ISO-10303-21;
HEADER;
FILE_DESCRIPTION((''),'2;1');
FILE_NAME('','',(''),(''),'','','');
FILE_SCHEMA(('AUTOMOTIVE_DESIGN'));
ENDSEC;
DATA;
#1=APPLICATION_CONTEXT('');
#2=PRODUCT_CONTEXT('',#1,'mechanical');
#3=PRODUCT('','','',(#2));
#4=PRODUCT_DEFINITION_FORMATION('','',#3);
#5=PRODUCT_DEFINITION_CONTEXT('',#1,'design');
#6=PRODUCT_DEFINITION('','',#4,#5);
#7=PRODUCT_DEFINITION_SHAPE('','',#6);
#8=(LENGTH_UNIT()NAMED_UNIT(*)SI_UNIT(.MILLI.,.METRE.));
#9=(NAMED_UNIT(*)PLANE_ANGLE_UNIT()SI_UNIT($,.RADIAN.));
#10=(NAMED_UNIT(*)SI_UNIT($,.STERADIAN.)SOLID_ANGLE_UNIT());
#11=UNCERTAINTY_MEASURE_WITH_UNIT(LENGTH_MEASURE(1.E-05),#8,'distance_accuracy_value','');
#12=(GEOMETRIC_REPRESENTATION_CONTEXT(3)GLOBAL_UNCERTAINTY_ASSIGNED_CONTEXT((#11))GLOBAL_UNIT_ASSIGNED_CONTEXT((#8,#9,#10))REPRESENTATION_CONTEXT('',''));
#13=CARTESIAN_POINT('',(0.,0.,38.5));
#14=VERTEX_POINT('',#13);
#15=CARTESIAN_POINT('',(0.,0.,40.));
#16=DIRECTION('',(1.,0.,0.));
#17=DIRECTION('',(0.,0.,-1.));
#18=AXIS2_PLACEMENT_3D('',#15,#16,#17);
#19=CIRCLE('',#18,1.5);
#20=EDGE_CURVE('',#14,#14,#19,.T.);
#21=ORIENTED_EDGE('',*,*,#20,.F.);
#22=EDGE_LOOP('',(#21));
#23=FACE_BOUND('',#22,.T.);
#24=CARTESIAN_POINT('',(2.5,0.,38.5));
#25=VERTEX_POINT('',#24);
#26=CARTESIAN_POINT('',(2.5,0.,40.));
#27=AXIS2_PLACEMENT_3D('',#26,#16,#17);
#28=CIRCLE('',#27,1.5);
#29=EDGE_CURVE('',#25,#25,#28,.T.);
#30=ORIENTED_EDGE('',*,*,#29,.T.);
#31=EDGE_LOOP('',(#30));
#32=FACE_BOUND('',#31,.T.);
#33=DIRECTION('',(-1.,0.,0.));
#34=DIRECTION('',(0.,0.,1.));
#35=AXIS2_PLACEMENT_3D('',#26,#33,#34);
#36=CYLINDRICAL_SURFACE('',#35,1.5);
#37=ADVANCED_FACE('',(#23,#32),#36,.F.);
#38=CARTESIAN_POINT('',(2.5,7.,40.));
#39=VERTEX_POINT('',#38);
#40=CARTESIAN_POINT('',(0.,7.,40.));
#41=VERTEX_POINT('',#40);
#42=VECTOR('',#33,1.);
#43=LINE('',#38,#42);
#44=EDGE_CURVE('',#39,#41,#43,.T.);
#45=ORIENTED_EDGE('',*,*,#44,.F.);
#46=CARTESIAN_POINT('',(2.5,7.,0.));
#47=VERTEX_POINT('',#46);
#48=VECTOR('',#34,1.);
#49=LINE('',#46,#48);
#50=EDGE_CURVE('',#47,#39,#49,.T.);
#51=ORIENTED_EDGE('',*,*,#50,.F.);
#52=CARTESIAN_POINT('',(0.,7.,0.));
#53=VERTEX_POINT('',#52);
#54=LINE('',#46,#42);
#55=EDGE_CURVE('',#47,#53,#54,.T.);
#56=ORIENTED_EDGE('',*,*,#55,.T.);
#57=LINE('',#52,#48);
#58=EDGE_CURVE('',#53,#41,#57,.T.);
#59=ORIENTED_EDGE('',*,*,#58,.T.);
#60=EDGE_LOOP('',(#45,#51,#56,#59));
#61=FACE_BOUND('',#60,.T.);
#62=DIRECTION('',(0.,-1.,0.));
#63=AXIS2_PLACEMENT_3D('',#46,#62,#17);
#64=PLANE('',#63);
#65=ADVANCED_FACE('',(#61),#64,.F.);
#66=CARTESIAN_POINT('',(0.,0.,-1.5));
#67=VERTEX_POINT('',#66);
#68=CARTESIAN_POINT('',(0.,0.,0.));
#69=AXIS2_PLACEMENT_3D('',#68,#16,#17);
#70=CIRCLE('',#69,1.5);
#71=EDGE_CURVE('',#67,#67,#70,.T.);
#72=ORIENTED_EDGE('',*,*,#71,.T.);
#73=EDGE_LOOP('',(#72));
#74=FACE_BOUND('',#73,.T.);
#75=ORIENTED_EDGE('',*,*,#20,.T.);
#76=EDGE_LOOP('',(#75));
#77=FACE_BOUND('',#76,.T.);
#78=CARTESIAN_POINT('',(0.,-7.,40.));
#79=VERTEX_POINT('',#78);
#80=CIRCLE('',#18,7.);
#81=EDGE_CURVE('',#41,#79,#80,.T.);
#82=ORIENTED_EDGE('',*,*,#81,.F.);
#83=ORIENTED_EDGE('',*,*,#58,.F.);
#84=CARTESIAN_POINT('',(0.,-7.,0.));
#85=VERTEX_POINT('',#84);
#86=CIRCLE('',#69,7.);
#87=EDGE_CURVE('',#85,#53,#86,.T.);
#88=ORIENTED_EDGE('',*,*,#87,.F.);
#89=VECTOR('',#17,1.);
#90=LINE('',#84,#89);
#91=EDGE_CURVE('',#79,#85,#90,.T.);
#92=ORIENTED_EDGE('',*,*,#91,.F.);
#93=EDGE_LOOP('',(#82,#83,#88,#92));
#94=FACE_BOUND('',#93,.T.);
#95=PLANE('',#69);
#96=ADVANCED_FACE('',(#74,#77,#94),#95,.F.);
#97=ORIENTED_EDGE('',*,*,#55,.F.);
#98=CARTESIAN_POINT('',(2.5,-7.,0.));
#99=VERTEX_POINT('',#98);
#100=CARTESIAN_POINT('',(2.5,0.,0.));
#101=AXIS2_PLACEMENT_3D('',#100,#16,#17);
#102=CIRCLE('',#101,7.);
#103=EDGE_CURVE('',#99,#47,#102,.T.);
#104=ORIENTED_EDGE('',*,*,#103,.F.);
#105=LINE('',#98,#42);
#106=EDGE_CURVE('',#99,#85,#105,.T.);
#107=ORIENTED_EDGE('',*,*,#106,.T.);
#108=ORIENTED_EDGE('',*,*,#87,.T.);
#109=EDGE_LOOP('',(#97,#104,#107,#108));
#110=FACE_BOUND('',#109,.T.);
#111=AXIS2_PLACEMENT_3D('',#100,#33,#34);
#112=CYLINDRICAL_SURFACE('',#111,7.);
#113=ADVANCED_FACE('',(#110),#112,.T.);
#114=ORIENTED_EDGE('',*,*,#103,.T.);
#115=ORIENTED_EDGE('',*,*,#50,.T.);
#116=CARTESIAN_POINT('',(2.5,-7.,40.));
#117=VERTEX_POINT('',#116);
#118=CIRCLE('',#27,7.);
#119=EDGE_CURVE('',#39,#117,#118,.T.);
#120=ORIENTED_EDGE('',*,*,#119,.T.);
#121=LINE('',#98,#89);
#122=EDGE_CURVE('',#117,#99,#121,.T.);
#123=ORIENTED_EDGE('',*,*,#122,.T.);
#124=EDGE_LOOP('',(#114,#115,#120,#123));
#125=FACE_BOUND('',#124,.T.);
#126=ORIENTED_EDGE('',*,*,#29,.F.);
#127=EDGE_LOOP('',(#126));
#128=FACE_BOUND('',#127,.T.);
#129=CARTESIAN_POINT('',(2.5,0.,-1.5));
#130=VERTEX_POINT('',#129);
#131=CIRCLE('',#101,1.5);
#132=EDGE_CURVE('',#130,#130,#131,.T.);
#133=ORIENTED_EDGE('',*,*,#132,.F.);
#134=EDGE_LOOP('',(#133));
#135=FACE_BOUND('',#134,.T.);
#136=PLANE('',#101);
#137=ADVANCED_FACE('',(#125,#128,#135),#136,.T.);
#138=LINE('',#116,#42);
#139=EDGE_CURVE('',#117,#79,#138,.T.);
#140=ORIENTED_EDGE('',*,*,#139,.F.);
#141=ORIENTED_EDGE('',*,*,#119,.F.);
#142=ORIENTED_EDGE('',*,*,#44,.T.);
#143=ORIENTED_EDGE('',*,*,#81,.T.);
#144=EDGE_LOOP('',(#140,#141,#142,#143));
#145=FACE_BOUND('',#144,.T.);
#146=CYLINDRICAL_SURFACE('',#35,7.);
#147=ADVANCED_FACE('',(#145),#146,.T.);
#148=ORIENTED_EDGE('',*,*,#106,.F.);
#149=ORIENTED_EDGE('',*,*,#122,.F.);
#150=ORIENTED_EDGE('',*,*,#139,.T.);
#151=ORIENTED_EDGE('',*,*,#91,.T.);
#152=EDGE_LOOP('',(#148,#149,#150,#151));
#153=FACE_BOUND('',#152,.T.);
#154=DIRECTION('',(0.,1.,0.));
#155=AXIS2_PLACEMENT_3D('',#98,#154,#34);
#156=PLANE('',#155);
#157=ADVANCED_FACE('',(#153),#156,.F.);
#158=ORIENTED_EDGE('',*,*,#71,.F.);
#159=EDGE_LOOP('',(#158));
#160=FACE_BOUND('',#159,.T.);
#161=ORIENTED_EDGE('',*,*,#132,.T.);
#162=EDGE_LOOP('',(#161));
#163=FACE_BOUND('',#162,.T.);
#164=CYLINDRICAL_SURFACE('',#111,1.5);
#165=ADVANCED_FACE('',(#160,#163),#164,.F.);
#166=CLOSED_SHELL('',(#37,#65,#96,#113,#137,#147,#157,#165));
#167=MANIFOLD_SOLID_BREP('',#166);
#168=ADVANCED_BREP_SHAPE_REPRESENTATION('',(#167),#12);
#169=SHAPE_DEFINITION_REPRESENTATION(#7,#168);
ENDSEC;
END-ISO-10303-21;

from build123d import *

# Parameters (mm, degrees)
SKETCH1_R           = 1.5
BOSS_EXTRUDE1_DEPTH = 2.5


with BuildPart() as part:
    # Sketch1 → Boss-Extrude1 (new body)
    with BuildSketch(Plane(origin=(0, 0, 0), x_dir=(0, 0, -1), z_dir=(1, 0, 0))):
        with BuildLine():
            Line((0, -7), (-40, -7))
            ThreePointArc((-40, -7), (-47, 0), (-40, 7))
            Line((-40, 7), (0, 7))
            ThreePointArc((0, 7), (7, 0), (0, -7))
        make_face()
        with Locations((-40, 0)):
            Circle(SKETCH1_R, mode=Mode.SUBTRACT)
        Circle(SKETCH1_R, mode=Mode.SUBTRACT)
    extrude(amount=BOSS_EXTRUDE1_DEPTH)


solid = part.part
